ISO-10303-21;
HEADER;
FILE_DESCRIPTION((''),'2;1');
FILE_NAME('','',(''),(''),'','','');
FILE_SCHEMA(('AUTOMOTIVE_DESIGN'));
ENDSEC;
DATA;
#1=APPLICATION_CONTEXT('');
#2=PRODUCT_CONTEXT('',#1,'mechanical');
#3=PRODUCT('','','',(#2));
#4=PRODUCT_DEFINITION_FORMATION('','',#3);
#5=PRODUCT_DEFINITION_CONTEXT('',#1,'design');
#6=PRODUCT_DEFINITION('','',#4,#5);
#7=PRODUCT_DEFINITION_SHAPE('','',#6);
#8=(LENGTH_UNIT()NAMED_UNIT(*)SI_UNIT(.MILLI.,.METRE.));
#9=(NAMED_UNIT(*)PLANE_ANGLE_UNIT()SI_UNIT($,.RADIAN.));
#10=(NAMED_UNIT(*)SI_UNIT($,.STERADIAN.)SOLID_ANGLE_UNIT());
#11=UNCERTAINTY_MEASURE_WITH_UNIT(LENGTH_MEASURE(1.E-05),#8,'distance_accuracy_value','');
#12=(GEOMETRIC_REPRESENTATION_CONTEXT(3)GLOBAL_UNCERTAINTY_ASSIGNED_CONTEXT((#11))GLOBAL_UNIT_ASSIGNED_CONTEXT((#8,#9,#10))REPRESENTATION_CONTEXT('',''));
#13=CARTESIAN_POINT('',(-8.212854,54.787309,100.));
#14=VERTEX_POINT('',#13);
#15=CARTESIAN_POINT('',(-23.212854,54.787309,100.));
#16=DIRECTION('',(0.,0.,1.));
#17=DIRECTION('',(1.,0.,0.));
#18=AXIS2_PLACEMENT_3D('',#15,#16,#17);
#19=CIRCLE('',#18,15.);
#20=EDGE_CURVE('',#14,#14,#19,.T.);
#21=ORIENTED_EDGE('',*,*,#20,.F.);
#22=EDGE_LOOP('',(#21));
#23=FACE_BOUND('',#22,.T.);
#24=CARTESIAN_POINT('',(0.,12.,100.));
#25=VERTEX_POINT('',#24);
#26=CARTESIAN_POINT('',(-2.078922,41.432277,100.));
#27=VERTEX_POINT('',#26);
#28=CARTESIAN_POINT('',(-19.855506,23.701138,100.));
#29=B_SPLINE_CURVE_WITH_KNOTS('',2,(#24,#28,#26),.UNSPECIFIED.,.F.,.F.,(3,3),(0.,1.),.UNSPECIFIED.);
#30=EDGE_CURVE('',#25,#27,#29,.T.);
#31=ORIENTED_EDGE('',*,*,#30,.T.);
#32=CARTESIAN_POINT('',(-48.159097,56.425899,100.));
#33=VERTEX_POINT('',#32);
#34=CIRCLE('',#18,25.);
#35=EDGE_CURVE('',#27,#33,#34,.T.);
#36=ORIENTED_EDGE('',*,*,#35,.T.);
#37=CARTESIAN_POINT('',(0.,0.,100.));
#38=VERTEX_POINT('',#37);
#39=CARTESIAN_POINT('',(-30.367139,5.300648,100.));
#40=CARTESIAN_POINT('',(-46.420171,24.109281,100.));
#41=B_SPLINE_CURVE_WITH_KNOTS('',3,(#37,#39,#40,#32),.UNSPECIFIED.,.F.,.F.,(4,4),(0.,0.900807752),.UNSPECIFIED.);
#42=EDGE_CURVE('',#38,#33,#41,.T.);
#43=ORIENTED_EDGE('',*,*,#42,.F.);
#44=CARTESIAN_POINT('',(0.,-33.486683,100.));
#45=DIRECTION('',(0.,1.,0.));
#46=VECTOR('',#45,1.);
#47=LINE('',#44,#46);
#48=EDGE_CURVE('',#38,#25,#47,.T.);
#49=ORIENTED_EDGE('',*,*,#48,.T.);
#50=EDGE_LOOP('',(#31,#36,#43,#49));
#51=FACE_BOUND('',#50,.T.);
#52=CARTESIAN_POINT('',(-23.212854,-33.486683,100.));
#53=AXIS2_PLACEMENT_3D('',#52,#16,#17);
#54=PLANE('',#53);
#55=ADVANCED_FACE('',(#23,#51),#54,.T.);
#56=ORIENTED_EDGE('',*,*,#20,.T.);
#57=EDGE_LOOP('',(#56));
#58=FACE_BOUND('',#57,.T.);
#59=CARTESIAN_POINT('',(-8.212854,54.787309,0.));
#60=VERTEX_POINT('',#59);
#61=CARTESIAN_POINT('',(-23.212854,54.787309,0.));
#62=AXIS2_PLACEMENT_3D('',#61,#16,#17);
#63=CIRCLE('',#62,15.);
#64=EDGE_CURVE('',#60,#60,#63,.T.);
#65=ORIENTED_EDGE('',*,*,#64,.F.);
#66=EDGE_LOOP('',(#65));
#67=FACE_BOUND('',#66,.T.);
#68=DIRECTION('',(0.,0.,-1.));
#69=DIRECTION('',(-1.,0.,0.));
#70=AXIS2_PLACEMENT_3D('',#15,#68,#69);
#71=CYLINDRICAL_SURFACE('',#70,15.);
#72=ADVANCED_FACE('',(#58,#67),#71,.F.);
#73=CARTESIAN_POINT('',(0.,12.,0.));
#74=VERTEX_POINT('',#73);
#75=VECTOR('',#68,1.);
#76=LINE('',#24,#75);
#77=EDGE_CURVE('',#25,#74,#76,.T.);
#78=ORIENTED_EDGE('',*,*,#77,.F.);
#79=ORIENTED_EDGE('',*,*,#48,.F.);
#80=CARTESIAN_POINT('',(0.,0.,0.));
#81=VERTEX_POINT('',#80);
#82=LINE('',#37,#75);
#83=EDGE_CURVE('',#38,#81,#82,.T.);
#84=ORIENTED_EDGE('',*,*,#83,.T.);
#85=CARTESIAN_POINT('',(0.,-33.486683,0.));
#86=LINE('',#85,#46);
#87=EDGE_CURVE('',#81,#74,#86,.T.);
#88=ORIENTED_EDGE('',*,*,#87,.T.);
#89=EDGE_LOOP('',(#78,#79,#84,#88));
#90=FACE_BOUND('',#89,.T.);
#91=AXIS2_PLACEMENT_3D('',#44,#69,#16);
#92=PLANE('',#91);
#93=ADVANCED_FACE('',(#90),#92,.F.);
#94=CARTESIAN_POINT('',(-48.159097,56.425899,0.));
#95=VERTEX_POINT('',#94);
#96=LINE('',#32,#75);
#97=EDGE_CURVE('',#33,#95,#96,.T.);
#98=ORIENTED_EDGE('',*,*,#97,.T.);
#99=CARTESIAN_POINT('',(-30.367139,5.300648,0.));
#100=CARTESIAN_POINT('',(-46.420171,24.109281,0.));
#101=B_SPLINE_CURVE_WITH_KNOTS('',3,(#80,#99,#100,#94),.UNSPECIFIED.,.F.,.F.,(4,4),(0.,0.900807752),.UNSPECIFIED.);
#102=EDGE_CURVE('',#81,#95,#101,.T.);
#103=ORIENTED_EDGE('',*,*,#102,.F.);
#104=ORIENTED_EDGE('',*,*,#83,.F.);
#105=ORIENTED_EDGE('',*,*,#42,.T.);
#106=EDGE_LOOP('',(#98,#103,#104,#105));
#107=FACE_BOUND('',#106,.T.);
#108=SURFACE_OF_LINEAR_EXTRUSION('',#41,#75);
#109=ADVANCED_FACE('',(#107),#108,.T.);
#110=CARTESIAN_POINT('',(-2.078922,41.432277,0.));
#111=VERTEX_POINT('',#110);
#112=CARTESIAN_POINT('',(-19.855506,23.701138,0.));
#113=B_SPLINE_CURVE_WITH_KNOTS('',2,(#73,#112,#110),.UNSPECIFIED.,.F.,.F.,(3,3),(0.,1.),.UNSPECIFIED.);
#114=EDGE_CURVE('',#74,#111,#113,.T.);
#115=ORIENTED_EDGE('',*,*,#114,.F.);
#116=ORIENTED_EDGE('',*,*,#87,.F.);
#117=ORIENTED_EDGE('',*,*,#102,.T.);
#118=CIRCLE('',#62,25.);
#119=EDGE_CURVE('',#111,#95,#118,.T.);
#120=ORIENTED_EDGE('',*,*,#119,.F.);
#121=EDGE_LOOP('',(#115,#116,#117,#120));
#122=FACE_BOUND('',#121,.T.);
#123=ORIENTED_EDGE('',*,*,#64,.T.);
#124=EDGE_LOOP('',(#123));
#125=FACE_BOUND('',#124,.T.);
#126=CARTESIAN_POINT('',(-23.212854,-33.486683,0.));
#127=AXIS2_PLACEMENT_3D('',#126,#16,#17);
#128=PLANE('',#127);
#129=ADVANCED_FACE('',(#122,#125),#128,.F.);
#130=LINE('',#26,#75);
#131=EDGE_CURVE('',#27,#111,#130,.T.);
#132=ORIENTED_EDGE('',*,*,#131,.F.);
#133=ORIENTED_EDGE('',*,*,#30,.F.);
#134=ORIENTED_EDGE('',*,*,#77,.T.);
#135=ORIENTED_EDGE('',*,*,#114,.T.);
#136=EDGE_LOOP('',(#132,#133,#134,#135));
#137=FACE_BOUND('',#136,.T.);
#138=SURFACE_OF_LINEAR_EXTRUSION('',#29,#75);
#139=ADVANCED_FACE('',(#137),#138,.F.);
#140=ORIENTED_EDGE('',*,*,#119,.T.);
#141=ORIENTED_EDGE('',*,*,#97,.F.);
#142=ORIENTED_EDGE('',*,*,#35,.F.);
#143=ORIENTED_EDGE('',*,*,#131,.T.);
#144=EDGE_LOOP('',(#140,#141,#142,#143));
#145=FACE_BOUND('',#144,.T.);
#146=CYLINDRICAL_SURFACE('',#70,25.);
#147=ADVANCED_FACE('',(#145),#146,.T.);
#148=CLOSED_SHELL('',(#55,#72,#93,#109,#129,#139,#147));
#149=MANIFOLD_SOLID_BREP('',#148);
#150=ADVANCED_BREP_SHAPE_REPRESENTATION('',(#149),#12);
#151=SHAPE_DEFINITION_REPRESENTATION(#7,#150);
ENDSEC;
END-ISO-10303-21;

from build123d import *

# Parameters (mm, degrees)
SKETCH2_R           = 15
BOSS_EXTRUDE3_DEPTH = 100


with BuildPart() as part:
    # Sketch2 → Boss-Extrude3 (new body)
    with BuildSketch(Plane.XY):
        with BuildLine():
            add(Edge.make_bspline(
                [(0, 0), (-27.790971102, 4.850972812), (-43.593467312, 21.015270296), (-47.40748863, 48.492892452)],
                knots=[0, 0, 0, 0, 0.824388571, 0.824388571, 0.824388571, 0.824388571], degree=3))
            Line((0, 0), (0, 12))
            add(Edge.make_bspline(
                [(0, 12), (-19.855506459, 23.701138321), (-2.078921696, 41.432276663)],
                knots=[0, 0, 0, 1, 1, 1], degree=2))
            ThreePointArc((-2.078921696, 41.432276663), (-15.477506866, 78.560495393), (-48.159097141, 56.425898768))
            add(Edge.make_bspline(
                [(-47.40748863, 48.492892452), (-47.761040822, 51.040013382), (-48.011576992, 53.684348821), (-48.159097141, 56.425898768)],
                knots=[0.824388571, 0.824388571, 0.824388571, 0.824388571, 0.900807752, 0.900807752, 0.900807752, 0.900807752], degree=3))
        make_face()
        with Locations((-23.212854475, 54.787308872)):
            Circle(SKETCH2_R, mode=Mode.SUBTRACT)
    extrude(amount=BOSS_EXTRUDE3_DEPTH)


solid = part.part
